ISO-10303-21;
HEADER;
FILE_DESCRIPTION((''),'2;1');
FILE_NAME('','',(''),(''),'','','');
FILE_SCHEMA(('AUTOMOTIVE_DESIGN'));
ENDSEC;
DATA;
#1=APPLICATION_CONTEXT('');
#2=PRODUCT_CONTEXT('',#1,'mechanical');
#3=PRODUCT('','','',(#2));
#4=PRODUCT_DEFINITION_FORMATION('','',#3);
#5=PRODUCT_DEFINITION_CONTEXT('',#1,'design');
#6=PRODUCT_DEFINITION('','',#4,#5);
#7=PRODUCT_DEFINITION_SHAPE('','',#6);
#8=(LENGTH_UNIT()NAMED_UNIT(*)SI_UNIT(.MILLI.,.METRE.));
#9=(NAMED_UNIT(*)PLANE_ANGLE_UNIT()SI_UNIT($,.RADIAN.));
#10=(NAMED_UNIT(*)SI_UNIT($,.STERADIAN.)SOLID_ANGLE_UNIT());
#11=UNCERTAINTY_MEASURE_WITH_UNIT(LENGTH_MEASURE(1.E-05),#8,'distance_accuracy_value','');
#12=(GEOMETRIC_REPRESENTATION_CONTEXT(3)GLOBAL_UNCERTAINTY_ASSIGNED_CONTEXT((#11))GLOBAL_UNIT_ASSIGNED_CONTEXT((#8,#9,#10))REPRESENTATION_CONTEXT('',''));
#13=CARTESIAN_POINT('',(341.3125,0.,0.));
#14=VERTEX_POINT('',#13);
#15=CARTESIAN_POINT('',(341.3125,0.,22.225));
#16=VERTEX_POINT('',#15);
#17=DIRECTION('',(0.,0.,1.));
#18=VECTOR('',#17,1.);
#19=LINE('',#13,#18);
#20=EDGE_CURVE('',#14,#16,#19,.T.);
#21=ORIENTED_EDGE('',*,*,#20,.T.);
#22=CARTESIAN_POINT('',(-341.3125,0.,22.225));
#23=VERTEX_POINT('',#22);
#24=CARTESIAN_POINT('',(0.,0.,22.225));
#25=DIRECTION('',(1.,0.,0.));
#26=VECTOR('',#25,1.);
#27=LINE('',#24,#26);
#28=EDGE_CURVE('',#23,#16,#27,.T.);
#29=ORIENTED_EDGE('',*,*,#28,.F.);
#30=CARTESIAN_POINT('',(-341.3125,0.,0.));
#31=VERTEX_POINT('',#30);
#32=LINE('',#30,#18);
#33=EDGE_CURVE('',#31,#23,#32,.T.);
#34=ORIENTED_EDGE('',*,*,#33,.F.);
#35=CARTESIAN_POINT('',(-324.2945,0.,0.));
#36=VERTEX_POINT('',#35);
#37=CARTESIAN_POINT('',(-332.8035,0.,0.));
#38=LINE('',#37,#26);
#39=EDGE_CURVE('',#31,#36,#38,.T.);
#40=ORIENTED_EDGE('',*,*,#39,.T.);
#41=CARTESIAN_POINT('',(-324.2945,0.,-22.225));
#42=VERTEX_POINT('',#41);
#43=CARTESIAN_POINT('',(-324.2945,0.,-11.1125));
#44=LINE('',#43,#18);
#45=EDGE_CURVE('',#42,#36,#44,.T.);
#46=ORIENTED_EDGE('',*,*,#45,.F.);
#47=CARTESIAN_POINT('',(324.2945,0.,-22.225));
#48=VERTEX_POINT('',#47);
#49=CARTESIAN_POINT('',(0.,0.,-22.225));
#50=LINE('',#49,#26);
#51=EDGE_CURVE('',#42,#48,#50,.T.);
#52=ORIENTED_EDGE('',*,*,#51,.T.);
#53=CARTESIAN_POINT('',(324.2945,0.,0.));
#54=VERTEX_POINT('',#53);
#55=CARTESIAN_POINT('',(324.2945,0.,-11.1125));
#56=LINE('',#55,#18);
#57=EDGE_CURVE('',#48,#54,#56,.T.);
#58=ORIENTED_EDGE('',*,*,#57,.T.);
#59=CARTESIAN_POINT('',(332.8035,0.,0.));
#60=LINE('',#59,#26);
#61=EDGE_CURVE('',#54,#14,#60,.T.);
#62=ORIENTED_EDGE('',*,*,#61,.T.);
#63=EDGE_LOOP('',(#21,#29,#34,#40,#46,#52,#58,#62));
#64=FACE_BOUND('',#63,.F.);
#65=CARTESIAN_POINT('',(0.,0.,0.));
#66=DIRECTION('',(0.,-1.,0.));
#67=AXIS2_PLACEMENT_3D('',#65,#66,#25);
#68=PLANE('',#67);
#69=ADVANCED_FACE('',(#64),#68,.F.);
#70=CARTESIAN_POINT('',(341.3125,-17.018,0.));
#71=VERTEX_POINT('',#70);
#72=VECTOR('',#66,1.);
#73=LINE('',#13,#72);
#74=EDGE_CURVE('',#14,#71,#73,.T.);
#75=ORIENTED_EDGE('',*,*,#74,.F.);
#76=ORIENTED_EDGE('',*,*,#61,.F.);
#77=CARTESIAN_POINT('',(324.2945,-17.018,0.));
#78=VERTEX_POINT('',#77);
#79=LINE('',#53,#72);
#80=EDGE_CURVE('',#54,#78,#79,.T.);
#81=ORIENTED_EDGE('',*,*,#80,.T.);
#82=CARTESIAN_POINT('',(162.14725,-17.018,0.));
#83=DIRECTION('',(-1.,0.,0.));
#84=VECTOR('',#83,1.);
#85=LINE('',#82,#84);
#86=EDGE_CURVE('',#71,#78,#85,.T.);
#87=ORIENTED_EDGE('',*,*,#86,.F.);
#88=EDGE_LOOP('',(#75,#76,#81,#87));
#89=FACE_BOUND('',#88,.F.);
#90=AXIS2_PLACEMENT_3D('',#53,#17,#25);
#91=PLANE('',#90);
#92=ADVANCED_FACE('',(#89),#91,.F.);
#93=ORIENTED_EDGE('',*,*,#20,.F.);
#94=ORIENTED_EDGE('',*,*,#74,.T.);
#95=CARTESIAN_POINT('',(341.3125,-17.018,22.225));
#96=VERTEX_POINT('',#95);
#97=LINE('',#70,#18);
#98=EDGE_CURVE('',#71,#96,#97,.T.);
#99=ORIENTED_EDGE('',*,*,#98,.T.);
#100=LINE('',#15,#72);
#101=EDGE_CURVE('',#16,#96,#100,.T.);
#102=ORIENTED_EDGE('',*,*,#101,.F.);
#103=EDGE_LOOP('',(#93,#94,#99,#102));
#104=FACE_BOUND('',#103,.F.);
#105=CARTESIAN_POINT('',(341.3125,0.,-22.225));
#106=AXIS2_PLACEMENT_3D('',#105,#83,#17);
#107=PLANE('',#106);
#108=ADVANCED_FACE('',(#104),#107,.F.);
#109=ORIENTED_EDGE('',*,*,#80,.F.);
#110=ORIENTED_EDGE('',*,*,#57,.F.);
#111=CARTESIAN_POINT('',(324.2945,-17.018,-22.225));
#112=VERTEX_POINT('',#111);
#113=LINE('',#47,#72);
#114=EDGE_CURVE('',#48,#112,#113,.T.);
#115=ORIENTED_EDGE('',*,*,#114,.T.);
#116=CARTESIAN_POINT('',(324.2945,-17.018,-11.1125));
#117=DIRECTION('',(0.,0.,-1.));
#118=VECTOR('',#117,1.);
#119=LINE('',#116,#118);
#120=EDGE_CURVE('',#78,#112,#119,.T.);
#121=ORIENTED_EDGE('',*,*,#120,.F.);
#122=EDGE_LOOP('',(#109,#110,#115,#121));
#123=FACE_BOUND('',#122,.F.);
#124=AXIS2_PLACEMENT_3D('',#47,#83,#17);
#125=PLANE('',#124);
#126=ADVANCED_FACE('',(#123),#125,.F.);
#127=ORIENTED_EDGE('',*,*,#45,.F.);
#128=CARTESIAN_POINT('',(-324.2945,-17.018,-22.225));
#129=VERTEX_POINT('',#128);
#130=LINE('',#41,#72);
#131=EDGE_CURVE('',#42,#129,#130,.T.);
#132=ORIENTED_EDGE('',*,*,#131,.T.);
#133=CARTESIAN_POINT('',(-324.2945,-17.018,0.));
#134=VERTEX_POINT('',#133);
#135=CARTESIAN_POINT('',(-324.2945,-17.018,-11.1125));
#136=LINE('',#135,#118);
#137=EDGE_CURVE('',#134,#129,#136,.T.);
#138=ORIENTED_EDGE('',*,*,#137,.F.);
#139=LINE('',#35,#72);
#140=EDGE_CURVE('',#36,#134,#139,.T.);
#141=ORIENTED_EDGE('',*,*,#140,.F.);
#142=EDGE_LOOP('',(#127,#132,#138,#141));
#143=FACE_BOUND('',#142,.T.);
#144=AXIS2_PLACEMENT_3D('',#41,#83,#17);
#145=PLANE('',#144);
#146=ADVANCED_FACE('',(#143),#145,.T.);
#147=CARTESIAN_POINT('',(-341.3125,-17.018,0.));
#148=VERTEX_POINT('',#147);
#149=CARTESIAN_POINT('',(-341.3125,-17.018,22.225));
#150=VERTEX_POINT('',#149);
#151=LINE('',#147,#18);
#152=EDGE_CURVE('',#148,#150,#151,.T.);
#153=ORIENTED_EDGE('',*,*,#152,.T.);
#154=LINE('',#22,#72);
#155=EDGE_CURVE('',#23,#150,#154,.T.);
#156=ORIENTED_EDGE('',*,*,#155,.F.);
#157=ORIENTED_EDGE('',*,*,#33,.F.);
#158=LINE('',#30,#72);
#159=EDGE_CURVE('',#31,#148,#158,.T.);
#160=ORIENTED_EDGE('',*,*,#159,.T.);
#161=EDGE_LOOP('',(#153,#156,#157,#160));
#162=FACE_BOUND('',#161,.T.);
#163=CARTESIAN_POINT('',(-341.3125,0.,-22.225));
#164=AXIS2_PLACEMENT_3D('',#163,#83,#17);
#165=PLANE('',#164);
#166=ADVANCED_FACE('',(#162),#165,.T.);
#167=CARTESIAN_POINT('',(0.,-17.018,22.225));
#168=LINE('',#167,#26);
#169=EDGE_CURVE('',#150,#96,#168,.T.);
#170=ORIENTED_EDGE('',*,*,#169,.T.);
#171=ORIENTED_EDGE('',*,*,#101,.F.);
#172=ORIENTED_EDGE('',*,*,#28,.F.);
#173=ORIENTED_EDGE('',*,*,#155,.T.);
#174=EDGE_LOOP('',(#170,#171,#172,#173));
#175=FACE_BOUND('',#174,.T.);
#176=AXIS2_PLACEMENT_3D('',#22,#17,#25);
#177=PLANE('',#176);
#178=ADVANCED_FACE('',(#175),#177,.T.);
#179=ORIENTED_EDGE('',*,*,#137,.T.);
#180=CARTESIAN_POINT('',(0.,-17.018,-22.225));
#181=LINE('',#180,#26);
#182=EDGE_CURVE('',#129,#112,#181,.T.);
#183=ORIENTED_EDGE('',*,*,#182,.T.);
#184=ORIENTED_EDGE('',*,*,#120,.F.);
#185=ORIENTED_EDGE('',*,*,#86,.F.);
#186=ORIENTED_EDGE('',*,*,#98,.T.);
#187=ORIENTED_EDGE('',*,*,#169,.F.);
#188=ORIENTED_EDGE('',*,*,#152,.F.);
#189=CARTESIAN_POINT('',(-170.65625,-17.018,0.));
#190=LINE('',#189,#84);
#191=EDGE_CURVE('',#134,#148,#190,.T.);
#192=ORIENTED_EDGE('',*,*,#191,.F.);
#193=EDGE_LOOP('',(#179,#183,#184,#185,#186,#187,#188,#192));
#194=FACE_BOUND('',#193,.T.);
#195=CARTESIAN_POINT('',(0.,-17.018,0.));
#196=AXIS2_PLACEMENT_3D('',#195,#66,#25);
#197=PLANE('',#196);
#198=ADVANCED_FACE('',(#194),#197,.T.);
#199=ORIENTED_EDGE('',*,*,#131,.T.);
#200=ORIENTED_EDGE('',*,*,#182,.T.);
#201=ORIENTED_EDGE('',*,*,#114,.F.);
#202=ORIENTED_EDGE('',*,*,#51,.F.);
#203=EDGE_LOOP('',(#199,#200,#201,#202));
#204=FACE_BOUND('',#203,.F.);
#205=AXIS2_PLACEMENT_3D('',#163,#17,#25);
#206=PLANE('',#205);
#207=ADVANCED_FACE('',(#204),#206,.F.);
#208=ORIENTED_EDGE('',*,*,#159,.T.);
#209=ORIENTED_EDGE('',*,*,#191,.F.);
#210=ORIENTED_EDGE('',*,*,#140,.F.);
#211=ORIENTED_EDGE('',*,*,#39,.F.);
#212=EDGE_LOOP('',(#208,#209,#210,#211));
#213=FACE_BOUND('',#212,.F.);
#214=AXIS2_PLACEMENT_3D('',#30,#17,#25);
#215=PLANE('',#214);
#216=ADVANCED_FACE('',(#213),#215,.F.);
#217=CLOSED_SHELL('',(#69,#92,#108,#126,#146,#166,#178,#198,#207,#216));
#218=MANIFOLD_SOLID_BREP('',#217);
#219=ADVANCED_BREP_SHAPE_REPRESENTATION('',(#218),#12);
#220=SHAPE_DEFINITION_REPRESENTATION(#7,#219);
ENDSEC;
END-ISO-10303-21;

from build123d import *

# Parameters (mm, degrees)
F0_W     = 682.625
F0_H     = 44.45
F1_DEPTH = 17.018
F2_W     = 17.018
F2_H     = 22.225
F3_DEPTH = 17.019


with BuildPart() as f1:
    # F0 (on Front) → F1 (new body)
    with BuildSketch(Plane.XZ):
        Rectangle(F0_W, F0_H)
    extrude(amount=F1_DEPTH)

    # F2 (on face) → F3 (cut, through all)
    with BuildSketch(Plane.XZ):
        with Locations((-332.8035, -11.1125)):
            Rectangle(F2_W, F2_H)
        with Locations((332.8035, -11.1125)):
            Rectangle(F2_W, F2_H)
    extrude(amount=F3_DEPTH, mode=Mode.SUBTRACT)


solid = f1.part
